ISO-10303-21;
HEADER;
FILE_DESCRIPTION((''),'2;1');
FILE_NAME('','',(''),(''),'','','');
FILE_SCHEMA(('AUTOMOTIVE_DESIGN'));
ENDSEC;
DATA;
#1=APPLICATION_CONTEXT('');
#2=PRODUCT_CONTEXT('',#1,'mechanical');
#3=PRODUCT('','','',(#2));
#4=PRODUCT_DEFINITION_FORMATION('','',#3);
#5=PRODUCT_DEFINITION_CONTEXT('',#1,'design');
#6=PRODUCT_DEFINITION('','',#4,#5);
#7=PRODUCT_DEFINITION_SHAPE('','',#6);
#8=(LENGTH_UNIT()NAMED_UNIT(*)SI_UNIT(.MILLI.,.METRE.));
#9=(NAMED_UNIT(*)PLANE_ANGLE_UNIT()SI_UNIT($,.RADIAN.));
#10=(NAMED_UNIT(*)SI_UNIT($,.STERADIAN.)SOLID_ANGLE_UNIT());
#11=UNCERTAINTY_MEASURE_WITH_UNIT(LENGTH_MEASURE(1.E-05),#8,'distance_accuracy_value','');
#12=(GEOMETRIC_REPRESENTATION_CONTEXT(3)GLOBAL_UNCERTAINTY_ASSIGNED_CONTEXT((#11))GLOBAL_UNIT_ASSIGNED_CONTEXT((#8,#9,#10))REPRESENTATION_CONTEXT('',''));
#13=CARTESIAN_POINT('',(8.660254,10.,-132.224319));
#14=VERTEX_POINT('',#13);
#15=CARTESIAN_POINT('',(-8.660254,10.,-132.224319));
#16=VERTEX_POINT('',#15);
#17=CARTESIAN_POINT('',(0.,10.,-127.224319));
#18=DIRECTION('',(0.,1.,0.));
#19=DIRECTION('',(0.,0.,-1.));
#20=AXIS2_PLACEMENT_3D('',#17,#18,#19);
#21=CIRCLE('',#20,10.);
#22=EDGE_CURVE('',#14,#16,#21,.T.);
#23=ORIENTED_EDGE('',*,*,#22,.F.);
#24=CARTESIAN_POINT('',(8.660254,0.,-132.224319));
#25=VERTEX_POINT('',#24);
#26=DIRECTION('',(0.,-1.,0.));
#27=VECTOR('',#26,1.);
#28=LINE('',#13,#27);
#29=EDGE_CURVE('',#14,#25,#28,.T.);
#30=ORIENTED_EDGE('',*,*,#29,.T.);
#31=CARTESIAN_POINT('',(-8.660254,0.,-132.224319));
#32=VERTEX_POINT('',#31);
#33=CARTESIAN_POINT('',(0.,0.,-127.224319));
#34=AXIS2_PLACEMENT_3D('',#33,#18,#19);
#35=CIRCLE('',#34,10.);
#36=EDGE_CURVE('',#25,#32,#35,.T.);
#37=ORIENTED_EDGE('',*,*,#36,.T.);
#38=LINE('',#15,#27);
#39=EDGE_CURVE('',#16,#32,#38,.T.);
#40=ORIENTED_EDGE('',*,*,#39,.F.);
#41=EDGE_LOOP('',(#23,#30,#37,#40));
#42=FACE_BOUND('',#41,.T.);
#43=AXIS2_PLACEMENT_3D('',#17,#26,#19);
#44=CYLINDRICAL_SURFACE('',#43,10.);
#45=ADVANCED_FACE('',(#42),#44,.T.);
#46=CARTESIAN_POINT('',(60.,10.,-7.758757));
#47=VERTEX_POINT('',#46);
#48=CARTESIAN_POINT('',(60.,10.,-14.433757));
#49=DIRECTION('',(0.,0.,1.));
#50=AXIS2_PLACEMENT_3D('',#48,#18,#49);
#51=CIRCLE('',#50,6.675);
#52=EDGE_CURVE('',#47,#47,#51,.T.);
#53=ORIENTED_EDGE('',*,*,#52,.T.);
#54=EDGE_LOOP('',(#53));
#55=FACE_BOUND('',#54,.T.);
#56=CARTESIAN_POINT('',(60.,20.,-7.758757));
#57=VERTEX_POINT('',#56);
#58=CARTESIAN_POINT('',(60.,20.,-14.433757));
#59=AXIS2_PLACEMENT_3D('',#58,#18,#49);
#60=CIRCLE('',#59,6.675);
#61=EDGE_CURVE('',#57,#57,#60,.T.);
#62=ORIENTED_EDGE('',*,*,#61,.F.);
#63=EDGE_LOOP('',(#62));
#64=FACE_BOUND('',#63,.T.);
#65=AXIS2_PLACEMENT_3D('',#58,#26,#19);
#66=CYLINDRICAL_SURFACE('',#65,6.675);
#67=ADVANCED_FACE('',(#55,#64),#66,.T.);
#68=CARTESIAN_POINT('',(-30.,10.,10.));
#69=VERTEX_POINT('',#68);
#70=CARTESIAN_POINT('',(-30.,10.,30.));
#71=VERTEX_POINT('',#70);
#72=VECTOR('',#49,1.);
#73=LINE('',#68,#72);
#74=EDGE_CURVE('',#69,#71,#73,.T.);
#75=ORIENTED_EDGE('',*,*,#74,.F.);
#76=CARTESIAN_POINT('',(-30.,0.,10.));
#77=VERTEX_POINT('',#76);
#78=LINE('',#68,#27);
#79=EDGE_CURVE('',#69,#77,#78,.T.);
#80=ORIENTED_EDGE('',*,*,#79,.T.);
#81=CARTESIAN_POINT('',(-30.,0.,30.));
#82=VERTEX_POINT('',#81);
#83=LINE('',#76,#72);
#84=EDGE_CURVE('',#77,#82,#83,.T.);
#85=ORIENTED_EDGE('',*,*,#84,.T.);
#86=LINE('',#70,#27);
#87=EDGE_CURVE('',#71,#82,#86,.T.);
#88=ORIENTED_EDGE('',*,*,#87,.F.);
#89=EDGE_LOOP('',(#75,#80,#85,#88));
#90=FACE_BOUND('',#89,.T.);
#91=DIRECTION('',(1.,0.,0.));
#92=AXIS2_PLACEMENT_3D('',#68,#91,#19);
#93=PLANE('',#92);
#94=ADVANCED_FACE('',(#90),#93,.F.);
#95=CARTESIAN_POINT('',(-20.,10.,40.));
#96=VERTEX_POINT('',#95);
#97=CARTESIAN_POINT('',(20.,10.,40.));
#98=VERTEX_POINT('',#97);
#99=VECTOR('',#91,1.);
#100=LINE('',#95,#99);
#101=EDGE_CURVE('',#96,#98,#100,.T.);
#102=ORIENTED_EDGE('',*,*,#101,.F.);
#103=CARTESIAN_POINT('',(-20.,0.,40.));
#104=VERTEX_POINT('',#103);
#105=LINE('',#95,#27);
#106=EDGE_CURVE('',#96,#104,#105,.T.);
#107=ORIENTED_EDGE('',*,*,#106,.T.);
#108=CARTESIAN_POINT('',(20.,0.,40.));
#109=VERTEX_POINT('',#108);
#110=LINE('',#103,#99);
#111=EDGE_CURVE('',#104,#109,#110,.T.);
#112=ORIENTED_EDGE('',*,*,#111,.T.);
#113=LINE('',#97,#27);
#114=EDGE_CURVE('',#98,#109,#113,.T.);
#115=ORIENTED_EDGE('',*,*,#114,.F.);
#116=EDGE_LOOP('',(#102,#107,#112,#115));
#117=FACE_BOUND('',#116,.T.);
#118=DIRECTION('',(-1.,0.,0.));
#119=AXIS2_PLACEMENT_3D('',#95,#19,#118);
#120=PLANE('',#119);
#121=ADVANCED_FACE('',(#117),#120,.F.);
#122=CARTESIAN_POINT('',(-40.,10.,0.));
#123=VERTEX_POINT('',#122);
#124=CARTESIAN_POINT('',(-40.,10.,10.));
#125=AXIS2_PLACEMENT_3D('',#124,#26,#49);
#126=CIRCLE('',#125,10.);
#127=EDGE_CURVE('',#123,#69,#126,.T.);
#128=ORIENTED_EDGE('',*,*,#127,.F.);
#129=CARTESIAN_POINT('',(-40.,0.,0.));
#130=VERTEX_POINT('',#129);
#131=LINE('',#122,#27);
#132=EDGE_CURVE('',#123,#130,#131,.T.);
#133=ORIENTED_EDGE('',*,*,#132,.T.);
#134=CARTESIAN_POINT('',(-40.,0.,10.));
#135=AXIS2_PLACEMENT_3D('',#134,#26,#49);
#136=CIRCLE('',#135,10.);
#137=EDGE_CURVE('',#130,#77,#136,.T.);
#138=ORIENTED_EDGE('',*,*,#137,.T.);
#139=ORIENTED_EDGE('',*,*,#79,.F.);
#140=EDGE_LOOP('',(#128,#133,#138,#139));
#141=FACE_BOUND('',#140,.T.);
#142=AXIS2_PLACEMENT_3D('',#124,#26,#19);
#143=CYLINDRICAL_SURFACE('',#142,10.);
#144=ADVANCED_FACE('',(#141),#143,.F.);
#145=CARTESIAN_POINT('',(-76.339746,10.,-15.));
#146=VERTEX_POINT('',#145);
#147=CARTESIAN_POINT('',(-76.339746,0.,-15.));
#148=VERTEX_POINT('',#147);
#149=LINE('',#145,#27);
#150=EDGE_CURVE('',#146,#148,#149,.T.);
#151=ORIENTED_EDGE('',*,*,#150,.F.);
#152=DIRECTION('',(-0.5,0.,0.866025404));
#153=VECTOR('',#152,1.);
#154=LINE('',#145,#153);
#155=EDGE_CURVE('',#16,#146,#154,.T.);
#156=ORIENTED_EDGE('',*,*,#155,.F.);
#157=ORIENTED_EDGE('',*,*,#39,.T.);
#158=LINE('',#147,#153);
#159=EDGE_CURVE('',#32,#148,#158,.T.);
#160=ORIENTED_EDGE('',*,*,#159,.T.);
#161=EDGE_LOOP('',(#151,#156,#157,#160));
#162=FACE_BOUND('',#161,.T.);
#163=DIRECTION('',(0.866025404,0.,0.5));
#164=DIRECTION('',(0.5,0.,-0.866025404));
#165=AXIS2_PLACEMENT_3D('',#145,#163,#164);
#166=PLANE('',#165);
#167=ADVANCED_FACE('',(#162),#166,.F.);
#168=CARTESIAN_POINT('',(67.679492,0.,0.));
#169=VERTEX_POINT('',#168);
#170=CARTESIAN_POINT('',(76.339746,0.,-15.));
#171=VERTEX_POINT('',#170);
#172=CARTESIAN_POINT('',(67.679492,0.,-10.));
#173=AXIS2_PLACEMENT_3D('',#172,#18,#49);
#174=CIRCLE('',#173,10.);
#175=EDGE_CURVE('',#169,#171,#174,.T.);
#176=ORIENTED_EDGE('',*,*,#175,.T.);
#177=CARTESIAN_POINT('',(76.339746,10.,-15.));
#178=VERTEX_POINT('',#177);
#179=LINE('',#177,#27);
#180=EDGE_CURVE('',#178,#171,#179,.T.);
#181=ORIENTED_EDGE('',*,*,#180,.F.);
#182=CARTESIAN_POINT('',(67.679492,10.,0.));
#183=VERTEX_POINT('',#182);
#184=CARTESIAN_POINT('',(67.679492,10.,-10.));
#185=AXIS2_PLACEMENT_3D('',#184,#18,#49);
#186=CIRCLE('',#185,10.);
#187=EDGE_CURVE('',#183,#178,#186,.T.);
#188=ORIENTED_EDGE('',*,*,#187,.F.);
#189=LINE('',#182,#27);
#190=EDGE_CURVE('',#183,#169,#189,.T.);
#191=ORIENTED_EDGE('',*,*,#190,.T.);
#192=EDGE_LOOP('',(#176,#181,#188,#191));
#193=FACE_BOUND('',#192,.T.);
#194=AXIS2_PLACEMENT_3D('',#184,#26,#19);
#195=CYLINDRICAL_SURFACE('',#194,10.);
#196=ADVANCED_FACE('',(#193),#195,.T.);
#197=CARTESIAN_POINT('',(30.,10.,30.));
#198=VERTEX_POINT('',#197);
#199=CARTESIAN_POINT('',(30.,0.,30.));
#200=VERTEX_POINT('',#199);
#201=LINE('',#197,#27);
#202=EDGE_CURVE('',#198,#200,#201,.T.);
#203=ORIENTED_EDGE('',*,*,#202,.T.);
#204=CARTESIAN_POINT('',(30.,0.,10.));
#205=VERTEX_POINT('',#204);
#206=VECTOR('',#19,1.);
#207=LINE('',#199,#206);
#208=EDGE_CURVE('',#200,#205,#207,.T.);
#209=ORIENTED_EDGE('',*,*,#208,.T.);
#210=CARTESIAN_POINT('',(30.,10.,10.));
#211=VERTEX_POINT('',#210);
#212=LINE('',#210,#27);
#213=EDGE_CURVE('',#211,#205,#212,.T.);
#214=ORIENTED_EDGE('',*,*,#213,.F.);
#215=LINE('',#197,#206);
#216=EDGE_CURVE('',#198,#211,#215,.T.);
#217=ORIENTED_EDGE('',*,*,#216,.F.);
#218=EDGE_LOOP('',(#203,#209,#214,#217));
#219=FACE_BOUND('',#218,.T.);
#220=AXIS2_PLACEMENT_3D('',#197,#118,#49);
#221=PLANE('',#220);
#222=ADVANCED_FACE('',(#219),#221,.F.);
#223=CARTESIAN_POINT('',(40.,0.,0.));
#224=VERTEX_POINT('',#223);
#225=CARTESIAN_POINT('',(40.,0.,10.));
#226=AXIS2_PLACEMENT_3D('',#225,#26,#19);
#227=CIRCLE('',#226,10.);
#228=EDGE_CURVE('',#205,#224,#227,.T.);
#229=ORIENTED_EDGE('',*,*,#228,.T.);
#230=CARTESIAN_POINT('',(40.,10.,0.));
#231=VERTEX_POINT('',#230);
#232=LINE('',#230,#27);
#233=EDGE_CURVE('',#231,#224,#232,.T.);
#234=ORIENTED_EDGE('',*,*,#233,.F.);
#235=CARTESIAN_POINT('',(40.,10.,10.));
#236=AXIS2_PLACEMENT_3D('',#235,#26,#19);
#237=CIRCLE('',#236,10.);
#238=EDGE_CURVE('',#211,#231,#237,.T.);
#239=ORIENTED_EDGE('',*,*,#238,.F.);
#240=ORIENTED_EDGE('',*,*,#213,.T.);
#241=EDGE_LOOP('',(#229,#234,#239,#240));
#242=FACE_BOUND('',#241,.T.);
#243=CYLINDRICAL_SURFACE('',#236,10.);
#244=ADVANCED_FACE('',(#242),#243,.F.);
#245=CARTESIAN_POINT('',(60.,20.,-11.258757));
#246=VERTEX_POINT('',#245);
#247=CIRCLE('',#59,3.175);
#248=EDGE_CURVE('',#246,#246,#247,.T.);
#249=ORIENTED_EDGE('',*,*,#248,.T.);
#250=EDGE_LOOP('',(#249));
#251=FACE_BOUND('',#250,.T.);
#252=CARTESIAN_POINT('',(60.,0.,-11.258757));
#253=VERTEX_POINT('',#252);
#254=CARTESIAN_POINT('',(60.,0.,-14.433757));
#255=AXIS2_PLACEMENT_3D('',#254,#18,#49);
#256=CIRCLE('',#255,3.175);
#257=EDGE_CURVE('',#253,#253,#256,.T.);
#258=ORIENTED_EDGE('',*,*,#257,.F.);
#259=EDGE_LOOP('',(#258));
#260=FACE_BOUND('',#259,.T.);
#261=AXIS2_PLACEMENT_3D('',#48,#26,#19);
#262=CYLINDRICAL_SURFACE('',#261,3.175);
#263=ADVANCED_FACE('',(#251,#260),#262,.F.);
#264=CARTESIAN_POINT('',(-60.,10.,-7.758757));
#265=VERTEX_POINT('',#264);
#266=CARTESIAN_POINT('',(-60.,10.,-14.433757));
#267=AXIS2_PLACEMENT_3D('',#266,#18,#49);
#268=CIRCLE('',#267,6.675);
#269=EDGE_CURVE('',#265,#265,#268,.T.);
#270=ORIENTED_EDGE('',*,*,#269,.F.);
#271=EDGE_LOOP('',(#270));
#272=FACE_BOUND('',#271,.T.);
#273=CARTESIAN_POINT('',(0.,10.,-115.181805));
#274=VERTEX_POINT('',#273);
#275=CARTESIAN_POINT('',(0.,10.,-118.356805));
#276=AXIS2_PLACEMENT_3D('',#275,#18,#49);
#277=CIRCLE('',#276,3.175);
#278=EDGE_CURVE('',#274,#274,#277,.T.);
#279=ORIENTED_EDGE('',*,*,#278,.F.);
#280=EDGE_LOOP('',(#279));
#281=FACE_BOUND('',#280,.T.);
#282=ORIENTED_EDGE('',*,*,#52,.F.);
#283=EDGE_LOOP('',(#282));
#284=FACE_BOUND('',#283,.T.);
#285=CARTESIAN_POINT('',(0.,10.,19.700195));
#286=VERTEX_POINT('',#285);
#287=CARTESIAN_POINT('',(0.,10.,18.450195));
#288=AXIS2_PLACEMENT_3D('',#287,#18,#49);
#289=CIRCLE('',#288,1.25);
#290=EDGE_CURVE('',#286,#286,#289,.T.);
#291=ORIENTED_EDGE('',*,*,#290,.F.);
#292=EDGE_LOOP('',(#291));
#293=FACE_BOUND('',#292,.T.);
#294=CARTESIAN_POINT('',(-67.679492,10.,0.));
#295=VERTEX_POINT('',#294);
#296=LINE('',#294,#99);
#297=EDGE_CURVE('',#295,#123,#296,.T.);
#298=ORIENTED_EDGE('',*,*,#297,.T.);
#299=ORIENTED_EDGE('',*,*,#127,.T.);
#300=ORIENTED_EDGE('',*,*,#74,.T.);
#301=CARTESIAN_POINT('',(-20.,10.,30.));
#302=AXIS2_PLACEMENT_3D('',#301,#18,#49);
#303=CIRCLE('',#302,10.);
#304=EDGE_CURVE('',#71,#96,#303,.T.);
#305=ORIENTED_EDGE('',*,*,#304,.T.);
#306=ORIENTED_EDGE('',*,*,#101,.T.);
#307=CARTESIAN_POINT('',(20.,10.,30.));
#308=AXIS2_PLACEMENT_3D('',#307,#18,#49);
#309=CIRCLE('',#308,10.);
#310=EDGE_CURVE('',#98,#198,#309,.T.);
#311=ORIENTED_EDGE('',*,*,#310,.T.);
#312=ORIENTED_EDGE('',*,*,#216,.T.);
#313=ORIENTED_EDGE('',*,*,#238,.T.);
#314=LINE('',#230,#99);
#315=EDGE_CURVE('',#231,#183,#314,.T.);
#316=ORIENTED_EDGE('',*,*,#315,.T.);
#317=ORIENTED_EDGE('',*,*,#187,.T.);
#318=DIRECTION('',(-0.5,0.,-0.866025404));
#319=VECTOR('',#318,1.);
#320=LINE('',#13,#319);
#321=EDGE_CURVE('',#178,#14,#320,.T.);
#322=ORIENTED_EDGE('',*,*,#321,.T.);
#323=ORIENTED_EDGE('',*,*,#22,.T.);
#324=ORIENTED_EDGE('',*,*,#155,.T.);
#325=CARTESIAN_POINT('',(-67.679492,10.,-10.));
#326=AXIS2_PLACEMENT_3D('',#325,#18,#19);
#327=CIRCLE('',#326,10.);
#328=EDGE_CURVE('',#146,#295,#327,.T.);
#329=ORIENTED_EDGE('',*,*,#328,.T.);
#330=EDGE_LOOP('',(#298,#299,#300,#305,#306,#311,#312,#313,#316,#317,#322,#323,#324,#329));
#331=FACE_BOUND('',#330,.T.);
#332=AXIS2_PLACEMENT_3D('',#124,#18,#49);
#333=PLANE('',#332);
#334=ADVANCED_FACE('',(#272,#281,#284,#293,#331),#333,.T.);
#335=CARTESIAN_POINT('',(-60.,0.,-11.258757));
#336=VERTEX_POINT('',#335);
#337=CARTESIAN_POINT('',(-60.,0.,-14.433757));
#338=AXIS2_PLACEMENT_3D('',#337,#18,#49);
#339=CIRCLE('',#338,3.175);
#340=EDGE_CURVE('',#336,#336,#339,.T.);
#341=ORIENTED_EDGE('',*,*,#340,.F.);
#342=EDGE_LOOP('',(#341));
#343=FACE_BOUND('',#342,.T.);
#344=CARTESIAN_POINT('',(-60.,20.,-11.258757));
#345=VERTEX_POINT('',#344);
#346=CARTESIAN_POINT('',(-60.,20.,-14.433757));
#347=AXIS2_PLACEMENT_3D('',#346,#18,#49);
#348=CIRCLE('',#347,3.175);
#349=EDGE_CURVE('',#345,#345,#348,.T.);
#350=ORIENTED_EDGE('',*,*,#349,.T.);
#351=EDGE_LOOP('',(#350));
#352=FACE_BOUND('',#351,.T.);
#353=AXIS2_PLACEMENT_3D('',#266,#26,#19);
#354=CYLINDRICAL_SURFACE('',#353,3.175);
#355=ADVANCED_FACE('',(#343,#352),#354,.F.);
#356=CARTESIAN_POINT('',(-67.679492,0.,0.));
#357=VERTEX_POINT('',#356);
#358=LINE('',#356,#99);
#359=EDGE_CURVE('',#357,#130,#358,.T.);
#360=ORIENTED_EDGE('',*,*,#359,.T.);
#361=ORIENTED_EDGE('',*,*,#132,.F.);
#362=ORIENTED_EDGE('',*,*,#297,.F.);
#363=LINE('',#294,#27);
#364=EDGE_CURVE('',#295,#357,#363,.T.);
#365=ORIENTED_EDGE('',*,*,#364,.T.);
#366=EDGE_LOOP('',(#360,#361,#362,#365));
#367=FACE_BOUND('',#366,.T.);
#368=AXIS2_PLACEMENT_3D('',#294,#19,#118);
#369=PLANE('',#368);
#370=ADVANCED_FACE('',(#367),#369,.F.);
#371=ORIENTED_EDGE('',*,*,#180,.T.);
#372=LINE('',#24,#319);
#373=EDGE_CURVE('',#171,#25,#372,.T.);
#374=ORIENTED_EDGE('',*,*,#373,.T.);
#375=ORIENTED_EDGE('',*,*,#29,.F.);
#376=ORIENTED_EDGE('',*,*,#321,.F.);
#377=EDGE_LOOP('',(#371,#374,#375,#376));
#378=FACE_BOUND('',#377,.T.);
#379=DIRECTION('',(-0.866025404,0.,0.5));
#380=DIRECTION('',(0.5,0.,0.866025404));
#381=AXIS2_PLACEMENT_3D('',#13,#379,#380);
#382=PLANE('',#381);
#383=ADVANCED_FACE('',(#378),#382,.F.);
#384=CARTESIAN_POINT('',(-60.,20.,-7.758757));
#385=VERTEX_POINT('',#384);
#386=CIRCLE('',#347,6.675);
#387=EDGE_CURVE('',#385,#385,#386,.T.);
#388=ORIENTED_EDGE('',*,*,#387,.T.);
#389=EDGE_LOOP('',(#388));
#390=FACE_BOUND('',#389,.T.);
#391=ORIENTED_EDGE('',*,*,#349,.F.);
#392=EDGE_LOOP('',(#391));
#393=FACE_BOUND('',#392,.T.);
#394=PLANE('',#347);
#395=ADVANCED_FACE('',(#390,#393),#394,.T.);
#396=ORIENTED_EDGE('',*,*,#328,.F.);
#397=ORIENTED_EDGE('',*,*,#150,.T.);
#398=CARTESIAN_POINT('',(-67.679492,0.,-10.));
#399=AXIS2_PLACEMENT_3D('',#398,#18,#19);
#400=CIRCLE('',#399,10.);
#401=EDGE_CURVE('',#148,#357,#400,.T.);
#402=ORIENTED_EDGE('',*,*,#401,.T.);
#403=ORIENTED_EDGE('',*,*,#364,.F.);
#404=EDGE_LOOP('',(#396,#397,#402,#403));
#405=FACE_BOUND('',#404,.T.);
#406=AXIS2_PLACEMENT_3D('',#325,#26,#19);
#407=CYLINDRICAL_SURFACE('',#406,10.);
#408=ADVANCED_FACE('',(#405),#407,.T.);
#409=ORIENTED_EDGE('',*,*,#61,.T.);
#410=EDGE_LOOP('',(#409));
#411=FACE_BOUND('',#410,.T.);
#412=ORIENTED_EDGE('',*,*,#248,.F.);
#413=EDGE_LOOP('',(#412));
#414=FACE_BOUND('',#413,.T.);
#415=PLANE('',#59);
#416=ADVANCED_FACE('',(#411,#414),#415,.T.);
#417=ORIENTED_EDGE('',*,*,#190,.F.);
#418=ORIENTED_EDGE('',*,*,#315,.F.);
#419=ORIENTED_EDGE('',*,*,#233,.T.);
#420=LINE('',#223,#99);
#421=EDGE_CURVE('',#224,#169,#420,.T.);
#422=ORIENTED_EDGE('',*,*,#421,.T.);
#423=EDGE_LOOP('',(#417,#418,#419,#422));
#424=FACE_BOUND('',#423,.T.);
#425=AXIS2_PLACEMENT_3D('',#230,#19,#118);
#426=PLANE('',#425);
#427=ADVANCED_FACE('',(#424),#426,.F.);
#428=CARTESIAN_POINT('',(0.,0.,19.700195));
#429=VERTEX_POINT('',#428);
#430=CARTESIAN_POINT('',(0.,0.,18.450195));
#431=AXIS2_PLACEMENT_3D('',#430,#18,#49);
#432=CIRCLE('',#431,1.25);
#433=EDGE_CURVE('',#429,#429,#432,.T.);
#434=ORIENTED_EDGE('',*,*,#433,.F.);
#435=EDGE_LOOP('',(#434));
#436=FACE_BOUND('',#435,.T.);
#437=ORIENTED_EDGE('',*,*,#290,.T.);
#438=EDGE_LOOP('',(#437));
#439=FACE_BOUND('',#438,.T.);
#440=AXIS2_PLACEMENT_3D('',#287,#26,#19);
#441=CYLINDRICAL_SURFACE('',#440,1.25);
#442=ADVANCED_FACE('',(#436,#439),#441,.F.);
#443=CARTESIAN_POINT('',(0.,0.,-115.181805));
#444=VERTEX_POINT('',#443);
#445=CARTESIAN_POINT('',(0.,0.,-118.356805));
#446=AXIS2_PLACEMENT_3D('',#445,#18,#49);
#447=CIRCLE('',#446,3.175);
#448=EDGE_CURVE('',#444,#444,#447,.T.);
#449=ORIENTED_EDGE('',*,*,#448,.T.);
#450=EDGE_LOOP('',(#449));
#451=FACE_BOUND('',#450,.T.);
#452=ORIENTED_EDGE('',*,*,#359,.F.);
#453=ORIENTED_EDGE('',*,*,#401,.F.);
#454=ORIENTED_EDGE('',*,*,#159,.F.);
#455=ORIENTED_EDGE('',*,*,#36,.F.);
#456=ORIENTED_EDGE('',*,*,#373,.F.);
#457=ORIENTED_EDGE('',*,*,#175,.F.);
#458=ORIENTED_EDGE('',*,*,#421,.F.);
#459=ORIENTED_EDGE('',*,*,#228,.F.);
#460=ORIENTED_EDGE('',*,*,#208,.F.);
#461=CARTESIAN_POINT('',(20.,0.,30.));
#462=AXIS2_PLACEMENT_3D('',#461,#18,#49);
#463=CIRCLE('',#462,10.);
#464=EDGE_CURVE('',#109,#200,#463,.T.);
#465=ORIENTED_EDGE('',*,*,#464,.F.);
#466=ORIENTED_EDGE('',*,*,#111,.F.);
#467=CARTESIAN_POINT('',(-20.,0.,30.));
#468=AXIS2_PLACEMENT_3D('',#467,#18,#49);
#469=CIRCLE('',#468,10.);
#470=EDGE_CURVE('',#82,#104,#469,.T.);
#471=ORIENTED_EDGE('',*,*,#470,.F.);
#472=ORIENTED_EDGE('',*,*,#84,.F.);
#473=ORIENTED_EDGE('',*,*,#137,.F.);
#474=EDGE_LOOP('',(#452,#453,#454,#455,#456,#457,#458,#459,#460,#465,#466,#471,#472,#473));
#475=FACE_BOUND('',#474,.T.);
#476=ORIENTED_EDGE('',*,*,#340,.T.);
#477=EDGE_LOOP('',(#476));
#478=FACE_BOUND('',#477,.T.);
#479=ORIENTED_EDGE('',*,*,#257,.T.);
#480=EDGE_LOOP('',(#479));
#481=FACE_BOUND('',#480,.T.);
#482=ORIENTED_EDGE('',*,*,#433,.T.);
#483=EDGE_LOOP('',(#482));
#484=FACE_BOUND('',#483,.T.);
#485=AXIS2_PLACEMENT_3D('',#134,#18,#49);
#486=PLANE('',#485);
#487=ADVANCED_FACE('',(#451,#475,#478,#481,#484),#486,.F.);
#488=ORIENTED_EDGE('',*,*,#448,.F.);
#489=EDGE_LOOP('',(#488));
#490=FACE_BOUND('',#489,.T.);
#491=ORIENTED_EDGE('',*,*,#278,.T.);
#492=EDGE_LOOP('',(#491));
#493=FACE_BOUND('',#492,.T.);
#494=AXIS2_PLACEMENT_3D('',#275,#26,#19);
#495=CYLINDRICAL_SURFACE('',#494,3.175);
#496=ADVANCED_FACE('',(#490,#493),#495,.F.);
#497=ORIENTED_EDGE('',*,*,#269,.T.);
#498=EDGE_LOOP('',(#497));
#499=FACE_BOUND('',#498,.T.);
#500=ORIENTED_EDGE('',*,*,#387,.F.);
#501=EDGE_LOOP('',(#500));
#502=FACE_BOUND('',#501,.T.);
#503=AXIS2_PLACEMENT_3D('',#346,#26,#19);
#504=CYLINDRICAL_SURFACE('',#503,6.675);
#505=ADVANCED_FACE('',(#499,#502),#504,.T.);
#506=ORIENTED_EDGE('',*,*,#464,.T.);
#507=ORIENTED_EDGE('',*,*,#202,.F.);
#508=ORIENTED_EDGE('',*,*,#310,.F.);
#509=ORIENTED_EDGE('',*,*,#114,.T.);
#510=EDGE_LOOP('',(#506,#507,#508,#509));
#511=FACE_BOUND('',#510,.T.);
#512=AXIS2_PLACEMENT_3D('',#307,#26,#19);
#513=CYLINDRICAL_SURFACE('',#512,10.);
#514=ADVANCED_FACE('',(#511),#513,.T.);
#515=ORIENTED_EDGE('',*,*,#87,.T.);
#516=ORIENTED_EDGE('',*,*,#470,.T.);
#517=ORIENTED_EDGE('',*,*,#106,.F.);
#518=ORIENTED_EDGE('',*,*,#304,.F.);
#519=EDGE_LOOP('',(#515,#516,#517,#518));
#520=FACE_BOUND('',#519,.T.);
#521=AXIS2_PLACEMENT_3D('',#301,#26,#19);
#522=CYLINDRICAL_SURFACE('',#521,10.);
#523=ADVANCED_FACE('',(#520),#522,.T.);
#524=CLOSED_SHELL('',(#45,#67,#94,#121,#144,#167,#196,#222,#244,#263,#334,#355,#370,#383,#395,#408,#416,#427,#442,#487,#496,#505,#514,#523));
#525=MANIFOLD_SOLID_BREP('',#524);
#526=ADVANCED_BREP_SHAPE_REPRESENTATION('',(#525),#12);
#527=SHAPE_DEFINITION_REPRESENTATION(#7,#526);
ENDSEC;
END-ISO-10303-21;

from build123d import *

# Parameters (mm, degrees)
SKETCH1_R           = 3.175
SKETCH1_R_2         = 1.25
BOSS_EXTRUDE2_DEPTH = 10
SKETCH2_R           = 6.675
SKETCH2_R_2         = 3.175
BOSS_EXTRUDE3_DEPTH = 10


with BuildPart() as part:
    # Sketch1 → Boss-Extrude2 (new body)
    with BuildSketch(Plane(origin=(0, 0, 0), x_dir=(1, 0, 0), z_dir=(0, 1, 0))):
        with BuildLine():
            Line((-67.679491924, 0), (-40, 0))
            ThreePointArc((-40, 0), (-32.928932188, -2.928932188), (-30, -10))
            Line((-30, -10), (-30, -30))
            ThreePointArc((-30, -30), (-27.071067812, -37.071067812), (-20, -40))
            Line((-20, -40), (20, -40))
            ThreePointArc((20, -40), (27.071067812, -37.071067812), (30, -30))
            Line((30, -30), (30, -10))
            ThreePointArc((30, -10), (32.928932188, -2.928932188), (40, 0))
            Line((40, 0), (67.679491924, 0))
            ThreePointArc((67.679491924, 0), (76.339745962, 5), (76.339745962, 15))
            Line((76.339745962, 15), (8.660254038, 132.224318643))
            ThreePointArc((8.660254038, 132.224318643), (0, 137.224318643), (-8.660254038, 132.224318643))
            Line((-8.660254038, 132.224318643), (-76.339745962, 15))
            ThreePointArc((-76.339745962, 15), (-76.339745962, 5), (-67.679491924, 0))
        make_face()
        with Locations(Location((-60, 14.43375673, 0), (0, 0, 270))):
            Circle(SKETCH1_R, mode=Mode.SUBTRACT)
        with Locations(Location((0, 118.356805184, 0), (0, 0, 270))):
            Circle(SKETCH1_R, mode=Mode.SUBTRACT)
        with Locations(Location((60, 14.43375673, 0), (0, 0, 270))):
            Circle(SKETCH1_R, mode=Mode.SUBTRACT)
        with Locations(Location((0, -18.450194816, 0), (0, 0, 270))):
            Circle(SKETCH1_R_2, mode=Mode.SUBTRACT)
    extrude(amount=BOSS_EXTRUDE2_DEPTH)

    # Sketch2 → Boss-Extrude3 (add)
    # profile 1 of 2: a face of its own
    with BuildSketch(Plane(origin=(0, 10, 0), x_dir=(1, 0, 0), z_dir=(0, 1, 0))):
        with Locations(Location((-60, 14.43375673, 0), (0, 0, 270))):
            Circle(SKETCH2_R)
        with Locations(Location((-60, 14.43375673, 0), (0, 0, 270))):
            Circle(SKETCH2_R_2, mode=Mode.SUBTRACT)
    # profile 2 of 2: a face of its own
    with BuildSketch(Plane(origin=(0, 10, 0), x_dir=(1, 0, 0), z_dir=(0, 1, 0))):
        with Locations(Location((60, 14.43375673, 0), (0, 0, 270))):
            Circle(SKETCH2_R)
        with Locations(Location((60, 14.43375673, 0), (0, 0, 270))):
            Circle(SKETCH2_R_2, mode=Mode.SUBTRACT)
    extrude(amount=BOSS_EXTRUDE3_DEPTH)


solid = part.part
